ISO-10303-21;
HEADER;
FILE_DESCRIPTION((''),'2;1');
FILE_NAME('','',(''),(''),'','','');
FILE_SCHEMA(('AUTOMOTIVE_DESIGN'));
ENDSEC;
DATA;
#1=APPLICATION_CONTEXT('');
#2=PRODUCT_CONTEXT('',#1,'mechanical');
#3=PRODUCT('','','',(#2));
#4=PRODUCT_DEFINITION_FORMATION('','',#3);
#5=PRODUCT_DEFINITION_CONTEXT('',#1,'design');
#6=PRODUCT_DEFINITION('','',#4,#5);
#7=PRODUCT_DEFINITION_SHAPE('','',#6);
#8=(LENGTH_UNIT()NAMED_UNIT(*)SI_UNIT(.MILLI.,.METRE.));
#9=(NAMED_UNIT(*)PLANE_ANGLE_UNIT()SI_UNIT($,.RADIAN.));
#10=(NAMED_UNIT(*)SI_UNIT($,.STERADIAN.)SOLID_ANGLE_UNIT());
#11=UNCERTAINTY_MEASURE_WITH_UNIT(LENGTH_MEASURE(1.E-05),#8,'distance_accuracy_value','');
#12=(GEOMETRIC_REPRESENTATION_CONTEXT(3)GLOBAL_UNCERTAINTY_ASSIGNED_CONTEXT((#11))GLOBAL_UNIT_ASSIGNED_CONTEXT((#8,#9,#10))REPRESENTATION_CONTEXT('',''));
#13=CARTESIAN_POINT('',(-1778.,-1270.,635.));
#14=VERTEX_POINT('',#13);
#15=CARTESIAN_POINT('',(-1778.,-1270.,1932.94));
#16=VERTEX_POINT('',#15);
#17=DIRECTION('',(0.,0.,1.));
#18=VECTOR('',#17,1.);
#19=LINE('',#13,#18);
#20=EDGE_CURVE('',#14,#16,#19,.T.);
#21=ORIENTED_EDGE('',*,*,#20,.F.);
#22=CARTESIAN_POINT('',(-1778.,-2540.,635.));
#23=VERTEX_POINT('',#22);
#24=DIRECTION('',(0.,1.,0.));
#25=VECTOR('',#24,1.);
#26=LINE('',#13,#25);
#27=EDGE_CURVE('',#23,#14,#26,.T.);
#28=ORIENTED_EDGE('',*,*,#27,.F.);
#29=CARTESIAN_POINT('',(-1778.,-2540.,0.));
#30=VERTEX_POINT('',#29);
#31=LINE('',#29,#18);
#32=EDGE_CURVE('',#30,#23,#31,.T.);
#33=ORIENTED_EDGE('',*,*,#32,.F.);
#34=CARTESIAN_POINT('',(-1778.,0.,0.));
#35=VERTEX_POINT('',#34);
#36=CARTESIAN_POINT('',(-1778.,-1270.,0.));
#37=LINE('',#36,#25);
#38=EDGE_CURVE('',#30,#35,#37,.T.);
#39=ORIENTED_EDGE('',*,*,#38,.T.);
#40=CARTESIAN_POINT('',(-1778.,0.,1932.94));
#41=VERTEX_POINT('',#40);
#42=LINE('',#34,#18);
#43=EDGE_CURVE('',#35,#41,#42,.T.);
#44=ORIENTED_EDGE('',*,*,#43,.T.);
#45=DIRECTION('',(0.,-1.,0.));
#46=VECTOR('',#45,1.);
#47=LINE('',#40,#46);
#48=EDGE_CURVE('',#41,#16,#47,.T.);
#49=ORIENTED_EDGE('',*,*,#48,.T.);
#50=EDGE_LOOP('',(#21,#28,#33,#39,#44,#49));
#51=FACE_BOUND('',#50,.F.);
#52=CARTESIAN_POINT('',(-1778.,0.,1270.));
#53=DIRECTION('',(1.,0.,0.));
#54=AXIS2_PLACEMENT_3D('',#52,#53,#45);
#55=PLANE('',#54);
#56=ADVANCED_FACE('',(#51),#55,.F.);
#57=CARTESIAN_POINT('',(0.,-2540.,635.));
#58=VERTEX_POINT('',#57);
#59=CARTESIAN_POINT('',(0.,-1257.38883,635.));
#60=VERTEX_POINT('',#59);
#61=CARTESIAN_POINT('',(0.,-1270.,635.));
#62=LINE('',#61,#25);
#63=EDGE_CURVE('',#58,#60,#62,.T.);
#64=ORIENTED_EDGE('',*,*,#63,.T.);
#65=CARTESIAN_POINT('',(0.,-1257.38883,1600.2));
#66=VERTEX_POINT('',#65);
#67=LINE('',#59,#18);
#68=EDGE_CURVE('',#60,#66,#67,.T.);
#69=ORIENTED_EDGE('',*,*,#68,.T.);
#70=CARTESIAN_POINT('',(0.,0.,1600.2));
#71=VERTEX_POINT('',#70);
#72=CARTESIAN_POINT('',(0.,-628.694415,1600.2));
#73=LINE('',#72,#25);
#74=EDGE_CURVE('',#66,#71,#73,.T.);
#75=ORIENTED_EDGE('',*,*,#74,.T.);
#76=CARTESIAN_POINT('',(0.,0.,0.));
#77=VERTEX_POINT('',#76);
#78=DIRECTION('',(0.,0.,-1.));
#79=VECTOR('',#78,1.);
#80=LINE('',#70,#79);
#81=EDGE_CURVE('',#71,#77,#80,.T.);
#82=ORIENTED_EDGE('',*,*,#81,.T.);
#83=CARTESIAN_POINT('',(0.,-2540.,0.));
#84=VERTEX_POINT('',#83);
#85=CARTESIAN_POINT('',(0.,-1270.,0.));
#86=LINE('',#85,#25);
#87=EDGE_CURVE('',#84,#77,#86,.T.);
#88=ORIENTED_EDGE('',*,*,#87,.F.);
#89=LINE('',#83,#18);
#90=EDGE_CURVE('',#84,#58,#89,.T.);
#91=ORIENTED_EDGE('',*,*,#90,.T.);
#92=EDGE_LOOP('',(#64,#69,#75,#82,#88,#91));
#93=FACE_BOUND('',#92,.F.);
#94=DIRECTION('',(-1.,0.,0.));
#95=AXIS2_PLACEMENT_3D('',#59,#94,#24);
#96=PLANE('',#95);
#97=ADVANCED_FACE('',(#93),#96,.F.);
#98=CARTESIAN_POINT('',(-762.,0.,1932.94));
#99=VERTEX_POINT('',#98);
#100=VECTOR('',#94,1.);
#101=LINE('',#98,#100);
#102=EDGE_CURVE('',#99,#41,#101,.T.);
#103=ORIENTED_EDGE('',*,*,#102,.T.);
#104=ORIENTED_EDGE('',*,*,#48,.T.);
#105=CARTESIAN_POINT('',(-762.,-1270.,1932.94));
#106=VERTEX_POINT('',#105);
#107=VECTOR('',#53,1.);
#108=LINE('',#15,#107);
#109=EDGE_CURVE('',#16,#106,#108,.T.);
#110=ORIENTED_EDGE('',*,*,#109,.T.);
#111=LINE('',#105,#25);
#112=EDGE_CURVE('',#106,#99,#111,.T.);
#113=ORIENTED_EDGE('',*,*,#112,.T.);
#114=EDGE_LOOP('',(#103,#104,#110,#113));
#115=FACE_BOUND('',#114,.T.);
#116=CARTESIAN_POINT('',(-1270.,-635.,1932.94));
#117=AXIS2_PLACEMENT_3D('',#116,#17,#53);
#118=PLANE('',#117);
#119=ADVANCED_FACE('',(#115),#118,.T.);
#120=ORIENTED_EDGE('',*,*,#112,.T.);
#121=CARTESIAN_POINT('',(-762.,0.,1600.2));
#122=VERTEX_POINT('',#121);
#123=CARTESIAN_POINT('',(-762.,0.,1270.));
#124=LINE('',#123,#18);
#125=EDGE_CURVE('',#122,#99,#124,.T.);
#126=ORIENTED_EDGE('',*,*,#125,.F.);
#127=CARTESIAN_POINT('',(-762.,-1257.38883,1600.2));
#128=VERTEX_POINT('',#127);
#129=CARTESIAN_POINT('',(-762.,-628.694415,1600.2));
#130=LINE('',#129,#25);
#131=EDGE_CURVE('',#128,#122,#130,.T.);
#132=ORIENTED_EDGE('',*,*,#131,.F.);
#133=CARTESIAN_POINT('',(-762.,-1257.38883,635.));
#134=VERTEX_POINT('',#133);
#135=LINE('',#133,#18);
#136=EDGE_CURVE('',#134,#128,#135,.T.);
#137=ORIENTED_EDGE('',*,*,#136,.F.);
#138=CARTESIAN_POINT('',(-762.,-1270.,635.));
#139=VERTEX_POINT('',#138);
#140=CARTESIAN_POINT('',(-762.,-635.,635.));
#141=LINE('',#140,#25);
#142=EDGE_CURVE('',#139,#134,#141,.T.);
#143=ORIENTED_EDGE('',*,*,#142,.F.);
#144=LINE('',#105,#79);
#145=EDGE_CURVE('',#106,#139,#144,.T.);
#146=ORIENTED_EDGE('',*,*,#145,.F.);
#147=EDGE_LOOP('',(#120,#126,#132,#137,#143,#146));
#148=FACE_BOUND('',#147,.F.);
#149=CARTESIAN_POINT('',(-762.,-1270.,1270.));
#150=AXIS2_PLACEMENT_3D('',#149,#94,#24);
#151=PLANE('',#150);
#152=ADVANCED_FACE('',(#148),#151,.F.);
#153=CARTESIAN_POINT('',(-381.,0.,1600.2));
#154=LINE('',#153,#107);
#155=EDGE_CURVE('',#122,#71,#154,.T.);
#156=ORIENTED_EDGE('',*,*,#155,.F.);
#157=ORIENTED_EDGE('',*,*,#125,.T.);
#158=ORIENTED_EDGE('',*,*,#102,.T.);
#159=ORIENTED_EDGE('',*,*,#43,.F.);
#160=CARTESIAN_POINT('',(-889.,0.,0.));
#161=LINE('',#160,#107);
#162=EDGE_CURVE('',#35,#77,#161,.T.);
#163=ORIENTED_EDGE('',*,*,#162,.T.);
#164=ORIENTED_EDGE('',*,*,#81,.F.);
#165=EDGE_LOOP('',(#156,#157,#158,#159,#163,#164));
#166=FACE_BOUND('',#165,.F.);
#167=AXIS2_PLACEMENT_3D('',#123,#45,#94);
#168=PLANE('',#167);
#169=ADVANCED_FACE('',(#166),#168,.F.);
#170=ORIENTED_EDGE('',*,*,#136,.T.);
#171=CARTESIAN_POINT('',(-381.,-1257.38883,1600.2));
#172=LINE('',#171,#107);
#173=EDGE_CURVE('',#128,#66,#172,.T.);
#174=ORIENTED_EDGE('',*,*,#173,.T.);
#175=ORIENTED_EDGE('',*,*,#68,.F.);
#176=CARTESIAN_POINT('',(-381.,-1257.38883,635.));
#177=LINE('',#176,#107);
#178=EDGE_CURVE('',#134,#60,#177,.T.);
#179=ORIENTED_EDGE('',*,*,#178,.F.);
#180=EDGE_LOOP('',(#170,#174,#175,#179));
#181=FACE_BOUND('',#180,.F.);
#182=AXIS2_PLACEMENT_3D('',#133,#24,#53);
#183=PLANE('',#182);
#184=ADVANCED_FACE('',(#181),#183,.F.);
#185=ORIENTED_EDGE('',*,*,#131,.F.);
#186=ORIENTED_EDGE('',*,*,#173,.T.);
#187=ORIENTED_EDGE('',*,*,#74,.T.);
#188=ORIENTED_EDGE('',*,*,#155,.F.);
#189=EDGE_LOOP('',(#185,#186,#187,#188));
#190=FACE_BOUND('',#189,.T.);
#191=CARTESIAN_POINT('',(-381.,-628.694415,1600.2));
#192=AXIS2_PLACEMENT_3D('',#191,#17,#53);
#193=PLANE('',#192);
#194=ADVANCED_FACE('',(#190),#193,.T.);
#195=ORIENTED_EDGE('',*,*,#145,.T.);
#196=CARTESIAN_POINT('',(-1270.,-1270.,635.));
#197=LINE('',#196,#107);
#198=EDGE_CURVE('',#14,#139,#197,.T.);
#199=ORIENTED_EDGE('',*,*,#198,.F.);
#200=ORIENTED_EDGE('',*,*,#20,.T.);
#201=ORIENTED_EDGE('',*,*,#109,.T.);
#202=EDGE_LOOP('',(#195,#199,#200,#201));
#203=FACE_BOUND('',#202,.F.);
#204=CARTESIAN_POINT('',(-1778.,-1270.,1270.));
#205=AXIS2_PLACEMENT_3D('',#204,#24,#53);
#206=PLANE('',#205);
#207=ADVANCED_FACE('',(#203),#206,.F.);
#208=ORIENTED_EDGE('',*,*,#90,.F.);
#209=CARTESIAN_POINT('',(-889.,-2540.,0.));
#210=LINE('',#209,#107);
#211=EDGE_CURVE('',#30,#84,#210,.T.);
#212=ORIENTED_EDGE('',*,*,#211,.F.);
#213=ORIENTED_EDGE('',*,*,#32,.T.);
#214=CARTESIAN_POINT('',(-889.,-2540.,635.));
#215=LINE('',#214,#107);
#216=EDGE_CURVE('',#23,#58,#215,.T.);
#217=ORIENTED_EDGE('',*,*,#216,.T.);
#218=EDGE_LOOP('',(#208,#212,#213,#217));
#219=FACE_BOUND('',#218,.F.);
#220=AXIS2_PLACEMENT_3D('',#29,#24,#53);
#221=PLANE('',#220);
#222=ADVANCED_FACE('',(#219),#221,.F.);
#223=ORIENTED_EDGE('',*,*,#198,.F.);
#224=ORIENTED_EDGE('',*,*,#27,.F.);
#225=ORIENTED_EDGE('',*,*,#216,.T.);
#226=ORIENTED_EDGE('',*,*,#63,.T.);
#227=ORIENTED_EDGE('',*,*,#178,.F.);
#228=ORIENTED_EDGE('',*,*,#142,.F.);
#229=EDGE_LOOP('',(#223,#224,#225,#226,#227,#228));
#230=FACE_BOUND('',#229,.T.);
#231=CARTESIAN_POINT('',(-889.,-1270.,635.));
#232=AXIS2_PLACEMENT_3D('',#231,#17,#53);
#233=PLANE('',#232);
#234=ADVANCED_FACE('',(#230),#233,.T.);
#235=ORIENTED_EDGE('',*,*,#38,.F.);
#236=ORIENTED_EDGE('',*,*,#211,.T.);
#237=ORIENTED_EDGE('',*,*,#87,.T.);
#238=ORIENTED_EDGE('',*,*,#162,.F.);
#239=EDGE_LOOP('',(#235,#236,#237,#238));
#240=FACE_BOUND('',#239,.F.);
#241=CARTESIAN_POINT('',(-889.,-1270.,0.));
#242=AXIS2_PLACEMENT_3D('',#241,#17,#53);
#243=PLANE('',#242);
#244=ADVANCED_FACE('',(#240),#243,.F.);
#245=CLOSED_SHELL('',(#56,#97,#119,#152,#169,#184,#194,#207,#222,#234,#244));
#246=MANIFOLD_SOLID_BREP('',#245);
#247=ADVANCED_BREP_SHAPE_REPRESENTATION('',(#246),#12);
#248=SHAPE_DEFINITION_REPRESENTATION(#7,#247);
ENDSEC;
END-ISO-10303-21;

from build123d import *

# Parameters (mm, degrees)
F0_W     = 1778
F0_H     = 2540
F1_DEPTH = 635
F2_W     = 1016
F2_H     = 1270
F3_DEPTH = 635
F5_W     = 762
F5_H     = 1257.3888301849
F7_DEPTH = 965.2
F9_DEPTH = 662.94


with BuildPart() as f1:
    # F0 (on Top) → F1 (new body)
    with BuildSketch(Plane.XY):
        with Locations((-889, -1270)):
            Rectangle(F0_W, F0_H)
    extrude(amount=F1_DEPTH)

    # F2 (on face) → F3 (join)
    with BuildSketch(Plane.XY.offset(635)):
        with Locations((-1270, -635)):
            Rectangle(F2_W, F2_H)
    extrude(amount=F3_DEPTH)

    # F5 (on face) → F7 (join)
    with BuildSketch(Plane.XY.offset(635)):
        with Locations((-381, -628.6944150925)):
            Rectangle(F5_W, F5_H)
    extrude(amount=F7_DEPTH)

    # F8 (on face) → F9 (join)
    with BuildSketch(Plane.XY.offset(1270)):
        Polygon((-762, -1257.3888301849), (-762, 0), (-1778, 0), (-1778, -1270), (-762, -1270), align=None)
    extrude(amount=F9_DEPTH)


solid = f1.part
